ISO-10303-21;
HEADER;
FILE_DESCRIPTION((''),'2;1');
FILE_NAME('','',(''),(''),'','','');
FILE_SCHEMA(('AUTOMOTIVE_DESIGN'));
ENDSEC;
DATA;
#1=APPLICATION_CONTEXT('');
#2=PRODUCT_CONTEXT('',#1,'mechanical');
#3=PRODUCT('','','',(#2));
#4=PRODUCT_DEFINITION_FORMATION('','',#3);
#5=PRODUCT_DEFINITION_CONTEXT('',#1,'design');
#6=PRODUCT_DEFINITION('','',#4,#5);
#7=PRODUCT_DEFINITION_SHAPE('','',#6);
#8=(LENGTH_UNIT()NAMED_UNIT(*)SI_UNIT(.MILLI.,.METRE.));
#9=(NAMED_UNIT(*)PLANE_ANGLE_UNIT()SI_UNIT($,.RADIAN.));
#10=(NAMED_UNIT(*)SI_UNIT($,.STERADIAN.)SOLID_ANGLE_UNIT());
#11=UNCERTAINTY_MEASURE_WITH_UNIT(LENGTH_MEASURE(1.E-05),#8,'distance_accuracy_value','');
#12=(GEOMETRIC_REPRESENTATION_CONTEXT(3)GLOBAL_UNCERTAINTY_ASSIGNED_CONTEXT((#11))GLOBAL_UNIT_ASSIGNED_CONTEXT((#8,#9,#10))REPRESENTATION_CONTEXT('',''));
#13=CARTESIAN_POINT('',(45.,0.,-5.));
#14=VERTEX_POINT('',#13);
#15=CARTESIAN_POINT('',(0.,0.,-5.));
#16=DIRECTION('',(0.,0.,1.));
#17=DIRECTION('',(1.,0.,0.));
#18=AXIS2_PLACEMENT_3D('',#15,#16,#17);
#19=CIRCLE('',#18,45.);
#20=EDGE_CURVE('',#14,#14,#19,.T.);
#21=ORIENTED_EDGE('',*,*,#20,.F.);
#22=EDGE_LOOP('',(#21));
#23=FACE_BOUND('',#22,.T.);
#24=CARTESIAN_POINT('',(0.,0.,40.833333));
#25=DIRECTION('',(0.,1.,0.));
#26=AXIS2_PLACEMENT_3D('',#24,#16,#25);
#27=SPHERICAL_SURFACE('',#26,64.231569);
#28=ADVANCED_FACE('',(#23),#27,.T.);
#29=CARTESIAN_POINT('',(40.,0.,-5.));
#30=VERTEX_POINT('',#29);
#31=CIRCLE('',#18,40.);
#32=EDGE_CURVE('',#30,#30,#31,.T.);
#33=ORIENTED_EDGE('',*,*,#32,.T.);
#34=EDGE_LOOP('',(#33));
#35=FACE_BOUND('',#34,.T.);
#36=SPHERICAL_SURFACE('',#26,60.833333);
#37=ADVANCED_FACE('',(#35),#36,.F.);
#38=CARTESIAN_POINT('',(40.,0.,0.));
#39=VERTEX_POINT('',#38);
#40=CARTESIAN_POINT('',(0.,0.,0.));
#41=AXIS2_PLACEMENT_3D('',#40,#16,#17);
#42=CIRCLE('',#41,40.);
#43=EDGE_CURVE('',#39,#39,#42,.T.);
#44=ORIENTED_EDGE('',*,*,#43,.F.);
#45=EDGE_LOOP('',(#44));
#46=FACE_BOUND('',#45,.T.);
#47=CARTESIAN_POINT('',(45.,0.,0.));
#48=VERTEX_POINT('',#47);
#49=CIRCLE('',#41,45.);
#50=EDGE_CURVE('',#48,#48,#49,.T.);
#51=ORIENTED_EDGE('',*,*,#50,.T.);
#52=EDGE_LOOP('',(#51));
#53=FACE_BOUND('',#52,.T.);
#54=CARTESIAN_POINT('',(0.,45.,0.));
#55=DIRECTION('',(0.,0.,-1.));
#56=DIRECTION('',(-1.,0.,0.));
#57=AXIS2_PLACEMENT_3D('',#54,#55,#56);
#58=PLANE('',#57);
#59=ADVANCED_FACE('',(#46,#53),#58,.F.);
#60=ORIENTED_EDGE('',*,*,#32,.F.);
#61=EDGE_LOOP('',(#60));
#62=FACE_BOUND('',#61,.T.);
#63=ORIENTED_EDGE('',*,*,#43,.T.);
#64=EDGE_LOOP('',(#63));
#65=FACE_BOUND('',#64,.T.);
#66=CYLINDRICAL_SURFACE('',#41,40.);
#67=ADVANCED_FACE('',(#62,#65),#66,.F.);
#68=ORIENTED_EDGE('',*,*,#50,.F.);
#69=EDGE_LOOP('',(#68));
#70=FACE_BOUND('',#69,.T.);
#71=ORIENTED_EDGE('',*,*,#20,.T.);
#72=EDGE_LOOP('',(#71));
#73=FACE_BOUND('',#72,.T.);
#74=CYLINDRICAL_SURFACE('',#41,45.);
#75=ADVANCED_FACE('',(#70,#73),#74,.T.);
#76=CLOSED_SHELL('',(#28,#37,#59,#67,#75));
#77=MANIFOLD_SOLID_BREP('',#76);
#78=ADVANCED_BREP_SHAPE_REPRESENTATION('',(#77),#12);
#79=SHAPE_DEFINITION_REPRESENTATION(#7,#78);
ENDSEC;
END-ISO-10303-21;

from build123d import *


with BuildPart() as part:
    # Sketch1 → Revolve1 (revolve)
    with BuildSketch(Plane(origin=(0, 0, 0), x_dir=(0, 0, -1), z_dir=(1, 0, 0)), mode=Mode.PRIVATE) as revolve1_sk:
        with BuildLine():
            Line((0, 45), (0, 40))
            Line((0, 40), (5, 40))
            ThreePointArc((5, 40), (16.126691635, 21.360009363), (20, 0))
            Line((20, 0), (23.398235575, 0))
            ThreePointArc((23.398235575, 0), (18.621024593, 24.30789518), (5, 45))
            Line((5, 45), (0, 45))
        make_face()
    revolve(revolve1_sk.sketch.rotate(Axis((0, 0, 0), (0, 0, -1)), 90), axis=Axis((0, 0, 0), (0, 0, -1)))


solid = part.part
